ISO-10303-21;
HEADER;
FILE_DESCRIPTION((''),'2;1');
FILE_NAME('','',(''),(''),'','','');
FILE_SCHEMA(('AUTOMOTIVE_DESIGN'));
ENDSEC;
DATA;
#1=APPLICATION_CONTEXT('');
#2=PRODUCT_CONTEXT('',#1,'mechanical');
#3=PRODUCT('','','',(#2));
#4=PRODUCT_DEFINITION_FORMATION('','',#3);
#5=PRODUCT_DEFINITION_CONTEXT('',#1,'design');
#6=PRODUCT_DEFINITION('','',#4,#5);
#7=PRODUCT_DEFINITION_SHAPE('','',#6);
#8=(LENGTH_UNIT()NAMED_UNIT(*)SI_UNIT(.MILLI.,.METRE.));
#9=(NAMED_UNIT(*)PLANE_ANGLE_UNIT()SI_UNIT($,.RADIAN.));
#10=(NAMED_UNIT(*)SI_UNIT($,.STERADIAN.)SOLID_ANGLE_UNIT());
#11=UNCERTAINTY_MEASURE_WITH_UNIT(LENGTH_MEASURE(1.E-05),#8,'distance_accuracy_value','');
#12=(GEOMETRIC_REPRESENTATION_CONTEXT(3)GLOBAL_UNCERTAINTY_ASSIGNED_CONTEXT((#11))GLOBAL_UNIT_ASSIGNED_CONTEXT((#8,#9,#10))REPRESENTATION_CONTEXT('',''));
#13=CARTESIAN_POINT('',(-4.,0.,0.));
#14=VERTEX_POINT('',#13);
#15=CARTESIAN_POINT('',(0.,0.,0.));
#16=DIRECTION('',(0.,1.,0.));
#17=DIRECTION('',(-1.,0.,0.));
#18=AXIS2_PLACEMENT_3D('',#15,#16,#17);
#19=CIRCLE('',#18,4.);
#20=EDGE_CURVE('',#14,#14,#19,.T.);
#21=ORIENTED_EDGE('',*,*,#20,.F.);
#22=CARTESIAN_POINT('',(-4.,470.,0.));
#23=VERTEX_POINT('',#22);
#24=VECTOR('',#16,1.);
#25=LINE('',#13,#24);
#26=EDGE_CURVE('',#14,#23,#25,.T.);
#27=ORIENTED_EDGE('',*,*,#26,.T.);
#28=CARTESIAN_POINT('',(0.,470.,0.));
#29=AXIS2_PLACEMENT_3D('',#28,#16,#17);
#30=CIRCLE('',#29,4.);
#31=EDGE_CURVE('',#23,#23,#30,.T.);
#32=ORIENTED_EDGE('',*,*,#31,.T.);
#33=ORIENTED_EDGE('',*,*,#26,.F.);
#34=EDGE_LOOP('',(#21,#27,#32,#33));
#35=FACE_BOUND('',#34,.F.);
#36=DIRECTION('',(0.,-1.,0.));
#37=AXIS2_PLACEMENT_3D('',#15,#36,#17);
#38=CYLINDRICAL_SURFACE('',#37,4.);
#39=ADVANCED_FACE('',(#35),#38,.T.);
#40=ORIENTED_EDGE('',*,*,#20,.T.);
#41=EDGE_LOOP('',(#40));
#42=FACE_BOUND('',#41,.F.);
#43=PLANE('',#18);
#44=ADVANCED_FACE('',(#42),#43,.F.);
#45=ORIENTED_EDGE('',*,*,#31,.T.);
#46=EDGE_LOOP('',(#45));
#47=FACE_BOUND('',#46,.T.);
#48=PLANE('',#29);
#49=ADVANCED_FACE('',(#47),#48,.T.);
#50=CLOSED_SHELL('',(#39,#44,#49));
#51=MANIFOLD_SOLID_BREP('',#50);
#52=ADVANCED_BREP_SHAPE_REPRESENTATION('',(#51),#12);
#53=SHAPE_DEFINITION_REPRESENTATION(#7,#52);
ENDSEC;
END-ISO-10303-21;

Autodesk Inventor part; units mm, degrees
ref_plane "YZ Plane" through (0, 0, 0) normal (1, 0, 0) x (0, 1, 0)
ref_plane "XZ Plane" through (0, 0, 0) normal (0, 1, 0) x (-1, 0, 0)
ref_plane "XY Plane" through (0, 0, 0) normal (0, 0, 1) x (1, 0, 0)
sketch "Sketch1" plane through (0, 0, 0) normal (0, 1, 0) x (-1, 0, 0)
  circle A0 centre (0, 0) radius 4
  dimension "d0" = 8
extrude "Extrusion1" add sketch "Sketch1" along normal blind 470
properties part number "fi8x470"
